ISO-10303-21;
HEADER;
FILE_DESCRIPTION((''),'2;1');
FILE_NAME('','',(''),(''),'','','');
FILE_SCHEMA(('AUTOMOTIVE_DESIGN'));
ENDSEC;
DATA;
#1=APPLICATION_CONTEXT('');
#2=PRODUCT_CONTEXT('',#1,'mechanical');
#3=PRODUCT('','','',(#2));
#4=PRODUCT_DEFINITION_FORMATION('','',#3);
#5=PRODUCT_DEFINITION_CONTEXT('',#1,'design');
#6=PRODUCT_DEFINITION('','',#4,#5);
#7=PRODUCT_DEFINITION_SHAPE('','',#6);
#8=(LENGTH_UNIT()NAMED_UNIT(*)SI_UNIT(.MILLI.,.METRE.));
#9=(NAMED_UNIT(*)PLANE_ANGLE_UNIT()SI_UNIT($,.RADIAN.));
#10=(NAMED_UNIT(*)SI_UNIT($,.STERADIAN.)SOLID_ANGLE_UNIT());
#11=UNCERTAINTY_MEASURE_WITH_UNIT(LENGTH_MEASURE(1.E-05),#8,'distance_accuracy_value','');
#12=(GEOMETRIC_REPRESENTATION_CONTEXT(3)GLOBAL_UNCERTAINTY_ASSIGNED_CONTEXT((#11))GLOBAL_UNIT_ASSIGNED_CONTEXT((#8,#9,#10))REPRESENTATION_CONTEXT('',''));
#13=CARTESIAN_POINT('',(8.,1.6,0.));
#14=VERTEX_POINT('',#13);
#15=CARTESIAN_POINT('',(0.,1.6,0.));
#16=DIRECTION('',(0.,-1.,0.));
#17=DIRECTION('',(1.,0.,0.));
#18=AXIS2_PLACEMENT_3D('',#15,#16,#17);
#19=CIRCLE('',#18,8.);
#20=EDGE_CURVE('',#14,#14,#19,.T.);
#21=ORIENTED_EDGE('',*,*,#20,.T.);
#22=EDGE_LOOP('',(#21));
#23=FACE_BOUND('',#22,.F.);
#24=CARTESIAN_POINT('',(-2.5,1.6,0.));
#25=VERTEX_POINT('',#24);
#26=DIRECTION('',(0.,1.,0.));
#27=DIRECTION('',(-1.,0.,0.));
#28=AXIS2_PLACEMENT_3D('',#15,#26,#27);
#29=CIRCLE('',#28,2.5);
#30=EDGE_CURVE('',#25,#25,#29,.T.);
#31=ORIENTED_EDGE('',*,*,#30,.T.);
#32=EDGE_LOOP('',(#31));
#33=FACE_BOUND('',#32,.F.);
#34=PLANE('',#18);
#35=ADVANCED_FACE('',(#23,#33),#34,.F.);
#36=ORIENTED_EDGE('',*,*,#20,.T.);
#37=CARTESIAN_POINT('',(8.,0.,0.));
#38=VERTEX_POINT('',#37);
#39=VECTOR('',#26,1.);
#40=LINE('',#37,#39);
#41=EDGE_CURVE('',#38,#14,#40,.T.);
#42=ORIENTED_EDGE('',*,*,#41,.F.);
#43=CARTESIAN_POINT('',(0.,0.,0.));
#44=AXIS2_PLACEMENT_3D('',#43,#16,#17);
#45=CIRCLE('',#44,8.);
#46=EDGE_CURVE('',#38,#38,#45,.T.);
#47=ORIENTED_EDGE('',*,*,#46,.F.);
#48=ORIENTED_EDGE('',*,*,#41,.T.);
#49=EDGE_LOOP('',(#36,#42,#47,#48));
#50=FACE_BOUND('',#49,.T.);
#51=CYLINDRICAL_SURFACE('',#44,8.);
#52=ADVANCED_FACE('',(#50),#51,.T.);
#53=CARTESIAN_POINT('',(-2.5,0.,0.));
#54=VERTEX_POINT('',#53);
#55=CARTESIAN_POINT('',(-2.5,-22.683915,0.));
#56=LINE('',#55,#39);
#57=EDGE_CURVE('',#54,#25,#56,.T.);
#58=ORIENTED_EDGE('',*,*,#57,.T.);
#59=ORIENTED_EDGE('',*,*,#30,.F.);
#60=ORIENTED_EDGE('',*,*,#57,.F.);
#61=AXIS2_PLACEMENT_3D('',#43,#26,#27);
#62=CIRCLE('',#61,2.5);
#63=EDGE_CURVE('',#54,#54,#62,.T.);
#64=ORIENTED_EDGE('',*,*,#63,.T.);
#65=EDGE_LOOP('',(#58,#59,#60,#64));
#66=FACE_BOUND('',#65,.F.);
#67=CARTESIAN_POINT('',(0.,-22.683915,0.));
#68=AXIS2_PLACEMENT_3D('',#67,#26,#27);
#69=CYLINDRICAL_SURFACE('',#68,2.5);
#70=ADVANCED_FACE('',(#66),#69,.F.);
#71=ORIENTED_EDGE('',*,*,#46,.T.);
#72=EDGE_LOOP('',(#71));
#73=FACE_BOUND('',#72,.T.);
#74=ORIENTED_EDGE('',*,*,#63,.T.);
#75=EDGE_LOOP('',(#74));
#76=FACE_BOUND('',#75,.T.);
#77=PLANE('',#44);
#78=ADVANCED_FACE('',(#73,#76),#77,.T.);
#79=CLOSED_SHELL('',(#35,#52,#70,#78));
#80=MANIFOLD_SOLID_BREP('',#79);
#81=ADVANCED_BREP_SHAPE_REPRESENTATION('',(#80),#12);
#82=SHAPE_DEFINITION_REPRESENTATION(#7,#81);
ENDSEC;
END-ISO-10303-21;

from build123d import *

# Parameters (mm, degrees)
F0_R     = 8
F1_DEPTH = 1.6
F2_D     = 5


with BuildPart() as f1:
    # F0 (on Front) → F1 (new body)
    with BuildSketch(Plane.XZ):
        Circle(F0_R)
    extrude(amount=-F1_DEPTH)

    # F2 (through all)
    with Locations(Plane.XZ):
        with Locations((0, 0)):
            Hole(F2_D / 2)


solid = f1.part
